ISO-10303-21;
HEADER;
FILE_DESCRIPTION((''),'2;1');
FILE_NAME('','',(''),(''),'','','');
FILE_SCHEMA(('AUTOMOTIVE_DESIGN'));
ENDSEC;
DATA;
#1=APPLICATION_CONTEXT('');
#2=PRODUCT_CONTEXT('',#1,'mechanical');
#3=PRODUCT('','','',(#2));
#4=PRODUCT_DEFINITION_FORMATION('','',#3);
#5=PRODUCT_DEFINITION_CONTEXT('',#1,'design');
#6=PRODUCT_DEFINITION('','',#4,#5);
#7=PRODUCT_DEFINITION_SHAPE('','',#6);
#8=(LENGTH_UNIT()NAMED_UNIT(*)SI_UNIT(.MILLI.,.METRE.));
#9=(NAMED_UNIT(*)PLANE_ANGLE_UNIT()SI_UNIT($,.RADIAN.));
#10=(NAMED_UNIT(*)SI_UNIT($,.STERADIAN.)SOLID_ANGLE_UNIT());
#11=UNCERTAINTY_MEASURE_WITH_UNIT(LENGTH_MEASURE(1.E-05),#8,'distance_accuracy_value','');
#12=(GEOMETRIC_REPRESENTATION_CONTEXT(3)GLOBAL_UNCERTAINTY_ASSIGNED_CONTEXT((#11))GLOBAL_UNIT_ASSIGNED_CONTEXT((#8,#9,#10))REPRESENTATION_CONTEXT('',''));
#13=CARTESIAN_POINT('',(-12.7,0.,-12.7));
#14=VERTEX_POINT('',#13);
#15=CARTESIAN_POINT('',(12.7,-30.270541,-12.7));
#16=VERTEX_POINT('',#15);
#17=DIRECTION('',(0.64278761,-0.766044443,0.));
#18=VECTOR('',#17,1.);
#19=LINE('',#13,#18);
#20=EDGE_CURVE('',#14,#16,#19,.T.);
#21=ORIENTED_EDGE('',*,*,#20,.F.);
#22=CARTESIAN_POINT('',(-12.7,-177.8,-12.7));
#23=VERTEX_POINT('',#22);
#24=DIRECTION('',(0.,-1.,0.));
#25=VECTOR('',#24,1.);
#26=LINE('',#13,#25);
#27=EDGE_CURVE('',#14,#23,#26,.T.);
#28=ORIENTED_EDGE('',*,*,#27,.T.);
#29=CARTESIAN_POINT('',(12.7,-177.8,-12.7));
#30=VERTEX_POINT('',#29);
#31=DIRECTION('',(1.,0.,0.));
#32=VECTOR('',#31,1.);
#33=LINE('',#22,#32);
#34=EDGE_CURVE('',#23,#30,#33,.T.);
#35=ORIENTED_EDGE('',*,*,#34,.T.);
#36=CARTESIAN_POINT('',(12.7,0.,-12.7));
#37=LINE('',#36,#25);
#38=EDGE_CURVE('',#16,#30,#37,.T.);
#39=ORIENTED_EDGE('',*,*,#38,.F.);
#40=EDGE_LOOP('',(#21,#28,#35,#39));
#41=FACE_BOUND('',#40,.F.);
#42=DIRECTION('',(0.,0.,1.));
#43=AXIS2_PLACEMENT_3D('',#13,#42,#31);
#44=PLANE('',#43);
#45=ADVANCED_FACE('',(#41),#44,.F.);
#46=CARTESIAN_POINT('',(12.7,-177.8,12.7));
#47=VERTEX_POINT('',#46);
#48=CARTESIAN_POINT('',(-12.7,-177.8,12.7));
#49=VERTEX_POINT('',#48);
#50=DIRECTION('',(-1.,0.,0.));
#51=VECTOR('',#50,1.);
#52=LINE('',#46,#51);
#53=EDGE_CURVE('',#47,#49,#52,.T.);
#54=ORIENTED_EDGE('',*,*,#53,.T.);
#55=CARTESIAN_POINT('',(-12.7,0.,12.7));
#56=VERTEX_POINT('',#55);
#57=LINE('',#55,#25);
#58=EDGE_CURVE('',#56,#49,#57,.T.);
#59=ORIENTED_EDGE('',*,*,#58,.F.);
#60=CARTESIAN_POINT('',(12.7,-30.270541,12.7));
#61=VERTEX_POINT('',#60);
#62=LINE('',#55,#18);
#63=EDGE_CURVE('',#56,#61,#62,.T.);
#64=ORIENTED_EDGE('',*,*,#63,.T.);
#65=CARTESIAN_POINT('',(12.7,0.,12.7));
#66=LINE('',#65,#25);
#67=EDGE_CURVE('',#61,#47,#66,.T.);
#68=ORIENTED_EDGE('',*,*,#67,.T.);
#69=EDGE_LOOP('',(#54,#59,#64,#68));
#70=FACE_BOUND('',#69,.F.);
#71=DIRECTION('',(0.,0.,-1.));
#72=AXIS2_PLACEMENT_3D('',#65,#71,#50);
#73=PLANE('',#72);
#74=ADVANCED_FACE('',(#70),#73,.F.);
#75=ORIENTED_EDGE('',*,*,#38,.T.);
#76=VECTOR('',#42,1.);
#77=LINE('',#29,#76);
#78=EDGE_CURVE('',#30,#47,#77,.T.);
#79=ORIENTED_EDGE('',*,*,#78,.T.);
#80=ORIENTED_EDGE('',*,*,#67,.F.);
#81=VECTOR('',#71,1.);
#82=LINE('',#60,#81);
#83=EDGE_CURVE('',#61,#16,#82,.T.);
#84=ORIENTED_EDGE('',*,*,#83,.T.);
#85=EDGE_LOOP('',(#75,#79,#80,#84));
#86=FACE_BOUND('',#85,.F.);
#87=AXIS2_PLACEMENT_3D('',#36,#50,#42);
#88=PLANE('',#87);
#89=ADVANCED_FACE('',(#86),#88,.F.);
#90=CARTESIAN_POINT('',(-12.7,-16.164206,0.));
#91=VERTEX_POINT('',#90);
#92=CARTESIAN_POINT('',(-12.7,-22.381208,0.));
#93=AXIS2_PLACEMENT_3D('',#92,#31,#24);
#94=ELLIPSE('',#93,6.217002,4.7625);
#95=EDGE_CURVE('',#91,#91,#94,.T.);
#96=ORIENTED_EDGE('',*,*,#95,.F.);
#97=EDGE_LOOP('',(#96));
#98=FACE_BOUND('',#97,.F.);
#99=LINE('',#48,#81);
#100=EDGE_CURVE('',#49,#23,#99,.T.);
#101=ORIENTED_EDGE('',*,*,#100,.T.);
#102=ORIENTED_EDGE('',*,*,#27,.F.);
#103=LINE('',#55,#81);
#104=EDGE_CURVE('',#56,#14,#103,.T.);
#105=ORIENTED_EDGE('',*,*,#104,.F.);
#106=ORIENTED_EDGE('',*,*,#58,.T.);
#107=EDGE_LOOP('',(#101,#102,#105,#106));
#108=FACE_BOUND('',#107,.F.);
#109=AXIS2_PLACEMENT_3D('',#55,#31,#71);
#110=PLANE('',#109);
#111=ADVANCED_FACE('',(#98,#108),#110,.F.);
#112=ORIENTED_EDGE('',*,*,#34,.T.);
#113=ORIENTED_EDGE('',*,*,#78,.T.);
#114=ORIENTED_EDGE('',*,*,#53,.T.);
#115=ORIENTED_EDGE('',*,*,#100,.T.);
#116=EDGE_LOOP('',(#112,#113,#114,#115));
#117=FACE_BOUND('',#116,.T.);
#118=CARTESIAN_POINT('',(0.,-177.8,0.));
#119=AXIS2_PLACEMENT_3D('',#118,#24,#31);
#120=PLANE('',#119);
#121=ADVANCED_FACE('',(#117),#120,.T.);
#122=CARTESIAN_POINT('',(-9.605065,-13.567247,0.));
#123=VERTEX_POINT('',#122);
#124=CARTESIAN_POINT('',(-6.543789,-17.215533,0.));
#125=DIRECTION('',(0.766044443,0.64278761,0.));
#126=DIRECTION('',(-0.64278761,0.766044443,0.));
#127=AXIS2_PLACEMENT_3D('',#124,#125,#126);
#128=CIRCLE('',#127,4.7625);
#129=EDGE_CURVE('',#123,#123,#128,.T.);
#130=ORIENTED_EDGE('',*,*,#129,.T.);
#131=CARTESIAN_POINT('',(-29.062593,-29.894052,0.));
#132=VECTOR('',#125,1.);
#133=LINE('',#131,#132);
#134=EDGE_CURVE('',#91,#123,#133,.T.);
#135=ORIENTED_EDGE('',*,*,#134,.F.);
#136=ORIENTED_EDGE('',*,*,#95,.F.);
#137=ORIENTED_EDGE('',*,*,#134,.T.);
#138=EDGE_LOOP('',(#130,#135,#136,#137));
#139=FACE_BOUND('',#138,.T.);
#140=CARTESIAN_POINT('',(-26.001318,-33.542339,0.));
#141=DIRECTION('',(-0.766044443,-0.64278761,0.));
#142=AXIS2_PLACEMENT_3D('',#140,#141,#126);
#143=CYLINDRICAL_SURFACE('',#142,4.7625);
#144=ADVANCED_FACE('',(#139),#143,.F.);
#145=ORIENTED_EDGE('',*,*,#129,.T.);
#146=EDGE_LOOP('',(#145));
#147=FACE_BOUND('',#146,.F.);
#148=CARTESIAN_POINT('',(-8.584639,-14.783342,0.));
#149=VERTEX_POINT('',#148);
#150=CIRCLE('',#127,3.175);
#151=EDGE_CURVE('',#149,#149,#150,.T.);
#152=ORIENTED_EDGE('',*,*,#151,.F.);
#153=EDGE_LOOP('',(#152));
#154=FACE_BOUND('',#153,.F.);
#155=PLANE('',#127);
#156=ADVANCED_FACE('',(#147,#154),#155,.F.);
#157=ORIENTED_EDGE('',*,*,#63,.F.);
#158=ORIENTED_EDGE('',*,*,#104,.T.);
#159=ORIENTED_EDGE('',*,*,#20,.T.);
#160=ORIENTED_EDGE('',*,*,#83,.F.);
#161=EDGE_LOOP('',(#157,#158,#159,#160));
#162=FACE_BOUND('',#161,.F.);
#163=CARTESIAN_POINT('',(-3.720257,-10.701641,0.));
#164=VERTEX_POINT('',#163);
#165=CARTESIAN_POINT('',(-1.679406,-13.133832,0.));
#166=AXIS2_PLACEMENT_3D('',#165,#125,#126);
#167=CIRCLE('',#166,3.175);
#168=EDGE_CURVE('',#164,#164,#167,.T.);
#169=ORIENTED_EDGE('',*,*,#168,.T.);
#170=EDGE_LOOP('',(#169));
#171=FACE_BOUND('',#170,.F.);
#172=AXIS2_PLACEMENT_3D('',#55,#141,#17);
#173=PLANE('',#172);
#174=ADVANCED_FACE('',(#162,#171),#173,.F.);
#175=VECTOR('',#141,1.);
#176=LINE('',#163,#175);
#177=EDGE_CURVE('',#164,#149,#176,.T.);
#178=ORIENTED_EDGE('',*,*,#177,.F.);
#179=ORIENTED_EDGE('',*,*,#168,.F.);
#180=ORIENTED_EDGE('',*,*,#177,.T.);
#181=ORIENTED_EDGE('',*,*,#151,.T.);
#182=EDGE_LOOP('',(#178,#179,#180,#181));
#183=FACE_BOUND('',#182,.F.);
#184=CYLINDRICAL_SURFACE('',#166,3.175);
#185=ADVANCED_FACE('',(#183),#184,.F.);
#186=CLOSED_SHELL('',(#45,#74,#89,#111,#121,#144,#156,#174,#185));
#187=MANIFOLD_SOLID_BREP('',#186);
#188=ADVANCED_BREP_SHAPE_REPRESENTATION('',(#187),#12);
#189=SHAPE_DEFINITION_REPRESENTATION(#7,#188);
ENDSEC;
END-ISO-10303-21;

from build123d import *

# Parameters (mm, degrees)
F0_W     = 12.7
F0_H     = 12.7
F1_DEPTH = 177.8
F3_DEPTH = 25.401
F4_R     = 3.175
F5_DEPTH = 114.2886370023
F7_R     = 4.7625
F7_R_2   = 3.175
F8_DEPTH = 25.4


with BuildPart() as f1:
    # F0 (on Front) → F1 (new body)
    with BuildSketch(Plane.XZ):
        Polygon((12.7, -12.7), (12.7, 12.7), (-12.7, 12.7), (-12.7, -12.7), (-6.35, -12.7), (-6.35, 0), (6.35, 0), (6.35, -12.7), align=None)
        with Locations((0, -6.35)):
            Rectangle(F0_W, F0_H)
    extrude(amount=F1_DEPTH)

    # F2 (on face) → F3 (cut, through all)
    with BuildSketch(Plane.XY.offset(12.7)):
        Polygon((12.7, 0), (-12.7, 0), (12.7, -30.2705412519), align=None)
    extrude(amount=-F3_DEPTH, mode=Mode.SUBTRACT)

    # F4 (on face) → F5 (cut, through all)
    with BuildSketch(Plane(origin=(-7.4526659282, -6.2535292316, 0), x_dir=(-0.6427876097, 0.7660444431, 0), z_dir=(0.7660444431, 0.6427876097, 0))):
        with Locations((-8.981597357, 0)):
            Circle(F4_R)
    extrude(amount=-F5_DEPTH, mode=Mode.SUBTRACT)

    # F7 (on offset) → F8 (cut)
    with BuildSketch(Plane(origin=(-31.7745769972, -26.6620358392, 0), x_dir=(-0.6427876097, 0.7660444431, 0), z_dir=(0.7660444431, 0.6427876097, 0))):
        with Locations((-8.981597357, 0)):
            Circle(F7_R)
        with Locations((-8.981597357, 0)):
            Circle(F7_R_2, mode=Mode.SUBTRACT)
        with Locations((-8.981597357, 0)):
            Circle(F7_R_2)
    extrude(amount=F8_DEPTH, mode=Mode.SUBTRACT)


solid = f1.part
